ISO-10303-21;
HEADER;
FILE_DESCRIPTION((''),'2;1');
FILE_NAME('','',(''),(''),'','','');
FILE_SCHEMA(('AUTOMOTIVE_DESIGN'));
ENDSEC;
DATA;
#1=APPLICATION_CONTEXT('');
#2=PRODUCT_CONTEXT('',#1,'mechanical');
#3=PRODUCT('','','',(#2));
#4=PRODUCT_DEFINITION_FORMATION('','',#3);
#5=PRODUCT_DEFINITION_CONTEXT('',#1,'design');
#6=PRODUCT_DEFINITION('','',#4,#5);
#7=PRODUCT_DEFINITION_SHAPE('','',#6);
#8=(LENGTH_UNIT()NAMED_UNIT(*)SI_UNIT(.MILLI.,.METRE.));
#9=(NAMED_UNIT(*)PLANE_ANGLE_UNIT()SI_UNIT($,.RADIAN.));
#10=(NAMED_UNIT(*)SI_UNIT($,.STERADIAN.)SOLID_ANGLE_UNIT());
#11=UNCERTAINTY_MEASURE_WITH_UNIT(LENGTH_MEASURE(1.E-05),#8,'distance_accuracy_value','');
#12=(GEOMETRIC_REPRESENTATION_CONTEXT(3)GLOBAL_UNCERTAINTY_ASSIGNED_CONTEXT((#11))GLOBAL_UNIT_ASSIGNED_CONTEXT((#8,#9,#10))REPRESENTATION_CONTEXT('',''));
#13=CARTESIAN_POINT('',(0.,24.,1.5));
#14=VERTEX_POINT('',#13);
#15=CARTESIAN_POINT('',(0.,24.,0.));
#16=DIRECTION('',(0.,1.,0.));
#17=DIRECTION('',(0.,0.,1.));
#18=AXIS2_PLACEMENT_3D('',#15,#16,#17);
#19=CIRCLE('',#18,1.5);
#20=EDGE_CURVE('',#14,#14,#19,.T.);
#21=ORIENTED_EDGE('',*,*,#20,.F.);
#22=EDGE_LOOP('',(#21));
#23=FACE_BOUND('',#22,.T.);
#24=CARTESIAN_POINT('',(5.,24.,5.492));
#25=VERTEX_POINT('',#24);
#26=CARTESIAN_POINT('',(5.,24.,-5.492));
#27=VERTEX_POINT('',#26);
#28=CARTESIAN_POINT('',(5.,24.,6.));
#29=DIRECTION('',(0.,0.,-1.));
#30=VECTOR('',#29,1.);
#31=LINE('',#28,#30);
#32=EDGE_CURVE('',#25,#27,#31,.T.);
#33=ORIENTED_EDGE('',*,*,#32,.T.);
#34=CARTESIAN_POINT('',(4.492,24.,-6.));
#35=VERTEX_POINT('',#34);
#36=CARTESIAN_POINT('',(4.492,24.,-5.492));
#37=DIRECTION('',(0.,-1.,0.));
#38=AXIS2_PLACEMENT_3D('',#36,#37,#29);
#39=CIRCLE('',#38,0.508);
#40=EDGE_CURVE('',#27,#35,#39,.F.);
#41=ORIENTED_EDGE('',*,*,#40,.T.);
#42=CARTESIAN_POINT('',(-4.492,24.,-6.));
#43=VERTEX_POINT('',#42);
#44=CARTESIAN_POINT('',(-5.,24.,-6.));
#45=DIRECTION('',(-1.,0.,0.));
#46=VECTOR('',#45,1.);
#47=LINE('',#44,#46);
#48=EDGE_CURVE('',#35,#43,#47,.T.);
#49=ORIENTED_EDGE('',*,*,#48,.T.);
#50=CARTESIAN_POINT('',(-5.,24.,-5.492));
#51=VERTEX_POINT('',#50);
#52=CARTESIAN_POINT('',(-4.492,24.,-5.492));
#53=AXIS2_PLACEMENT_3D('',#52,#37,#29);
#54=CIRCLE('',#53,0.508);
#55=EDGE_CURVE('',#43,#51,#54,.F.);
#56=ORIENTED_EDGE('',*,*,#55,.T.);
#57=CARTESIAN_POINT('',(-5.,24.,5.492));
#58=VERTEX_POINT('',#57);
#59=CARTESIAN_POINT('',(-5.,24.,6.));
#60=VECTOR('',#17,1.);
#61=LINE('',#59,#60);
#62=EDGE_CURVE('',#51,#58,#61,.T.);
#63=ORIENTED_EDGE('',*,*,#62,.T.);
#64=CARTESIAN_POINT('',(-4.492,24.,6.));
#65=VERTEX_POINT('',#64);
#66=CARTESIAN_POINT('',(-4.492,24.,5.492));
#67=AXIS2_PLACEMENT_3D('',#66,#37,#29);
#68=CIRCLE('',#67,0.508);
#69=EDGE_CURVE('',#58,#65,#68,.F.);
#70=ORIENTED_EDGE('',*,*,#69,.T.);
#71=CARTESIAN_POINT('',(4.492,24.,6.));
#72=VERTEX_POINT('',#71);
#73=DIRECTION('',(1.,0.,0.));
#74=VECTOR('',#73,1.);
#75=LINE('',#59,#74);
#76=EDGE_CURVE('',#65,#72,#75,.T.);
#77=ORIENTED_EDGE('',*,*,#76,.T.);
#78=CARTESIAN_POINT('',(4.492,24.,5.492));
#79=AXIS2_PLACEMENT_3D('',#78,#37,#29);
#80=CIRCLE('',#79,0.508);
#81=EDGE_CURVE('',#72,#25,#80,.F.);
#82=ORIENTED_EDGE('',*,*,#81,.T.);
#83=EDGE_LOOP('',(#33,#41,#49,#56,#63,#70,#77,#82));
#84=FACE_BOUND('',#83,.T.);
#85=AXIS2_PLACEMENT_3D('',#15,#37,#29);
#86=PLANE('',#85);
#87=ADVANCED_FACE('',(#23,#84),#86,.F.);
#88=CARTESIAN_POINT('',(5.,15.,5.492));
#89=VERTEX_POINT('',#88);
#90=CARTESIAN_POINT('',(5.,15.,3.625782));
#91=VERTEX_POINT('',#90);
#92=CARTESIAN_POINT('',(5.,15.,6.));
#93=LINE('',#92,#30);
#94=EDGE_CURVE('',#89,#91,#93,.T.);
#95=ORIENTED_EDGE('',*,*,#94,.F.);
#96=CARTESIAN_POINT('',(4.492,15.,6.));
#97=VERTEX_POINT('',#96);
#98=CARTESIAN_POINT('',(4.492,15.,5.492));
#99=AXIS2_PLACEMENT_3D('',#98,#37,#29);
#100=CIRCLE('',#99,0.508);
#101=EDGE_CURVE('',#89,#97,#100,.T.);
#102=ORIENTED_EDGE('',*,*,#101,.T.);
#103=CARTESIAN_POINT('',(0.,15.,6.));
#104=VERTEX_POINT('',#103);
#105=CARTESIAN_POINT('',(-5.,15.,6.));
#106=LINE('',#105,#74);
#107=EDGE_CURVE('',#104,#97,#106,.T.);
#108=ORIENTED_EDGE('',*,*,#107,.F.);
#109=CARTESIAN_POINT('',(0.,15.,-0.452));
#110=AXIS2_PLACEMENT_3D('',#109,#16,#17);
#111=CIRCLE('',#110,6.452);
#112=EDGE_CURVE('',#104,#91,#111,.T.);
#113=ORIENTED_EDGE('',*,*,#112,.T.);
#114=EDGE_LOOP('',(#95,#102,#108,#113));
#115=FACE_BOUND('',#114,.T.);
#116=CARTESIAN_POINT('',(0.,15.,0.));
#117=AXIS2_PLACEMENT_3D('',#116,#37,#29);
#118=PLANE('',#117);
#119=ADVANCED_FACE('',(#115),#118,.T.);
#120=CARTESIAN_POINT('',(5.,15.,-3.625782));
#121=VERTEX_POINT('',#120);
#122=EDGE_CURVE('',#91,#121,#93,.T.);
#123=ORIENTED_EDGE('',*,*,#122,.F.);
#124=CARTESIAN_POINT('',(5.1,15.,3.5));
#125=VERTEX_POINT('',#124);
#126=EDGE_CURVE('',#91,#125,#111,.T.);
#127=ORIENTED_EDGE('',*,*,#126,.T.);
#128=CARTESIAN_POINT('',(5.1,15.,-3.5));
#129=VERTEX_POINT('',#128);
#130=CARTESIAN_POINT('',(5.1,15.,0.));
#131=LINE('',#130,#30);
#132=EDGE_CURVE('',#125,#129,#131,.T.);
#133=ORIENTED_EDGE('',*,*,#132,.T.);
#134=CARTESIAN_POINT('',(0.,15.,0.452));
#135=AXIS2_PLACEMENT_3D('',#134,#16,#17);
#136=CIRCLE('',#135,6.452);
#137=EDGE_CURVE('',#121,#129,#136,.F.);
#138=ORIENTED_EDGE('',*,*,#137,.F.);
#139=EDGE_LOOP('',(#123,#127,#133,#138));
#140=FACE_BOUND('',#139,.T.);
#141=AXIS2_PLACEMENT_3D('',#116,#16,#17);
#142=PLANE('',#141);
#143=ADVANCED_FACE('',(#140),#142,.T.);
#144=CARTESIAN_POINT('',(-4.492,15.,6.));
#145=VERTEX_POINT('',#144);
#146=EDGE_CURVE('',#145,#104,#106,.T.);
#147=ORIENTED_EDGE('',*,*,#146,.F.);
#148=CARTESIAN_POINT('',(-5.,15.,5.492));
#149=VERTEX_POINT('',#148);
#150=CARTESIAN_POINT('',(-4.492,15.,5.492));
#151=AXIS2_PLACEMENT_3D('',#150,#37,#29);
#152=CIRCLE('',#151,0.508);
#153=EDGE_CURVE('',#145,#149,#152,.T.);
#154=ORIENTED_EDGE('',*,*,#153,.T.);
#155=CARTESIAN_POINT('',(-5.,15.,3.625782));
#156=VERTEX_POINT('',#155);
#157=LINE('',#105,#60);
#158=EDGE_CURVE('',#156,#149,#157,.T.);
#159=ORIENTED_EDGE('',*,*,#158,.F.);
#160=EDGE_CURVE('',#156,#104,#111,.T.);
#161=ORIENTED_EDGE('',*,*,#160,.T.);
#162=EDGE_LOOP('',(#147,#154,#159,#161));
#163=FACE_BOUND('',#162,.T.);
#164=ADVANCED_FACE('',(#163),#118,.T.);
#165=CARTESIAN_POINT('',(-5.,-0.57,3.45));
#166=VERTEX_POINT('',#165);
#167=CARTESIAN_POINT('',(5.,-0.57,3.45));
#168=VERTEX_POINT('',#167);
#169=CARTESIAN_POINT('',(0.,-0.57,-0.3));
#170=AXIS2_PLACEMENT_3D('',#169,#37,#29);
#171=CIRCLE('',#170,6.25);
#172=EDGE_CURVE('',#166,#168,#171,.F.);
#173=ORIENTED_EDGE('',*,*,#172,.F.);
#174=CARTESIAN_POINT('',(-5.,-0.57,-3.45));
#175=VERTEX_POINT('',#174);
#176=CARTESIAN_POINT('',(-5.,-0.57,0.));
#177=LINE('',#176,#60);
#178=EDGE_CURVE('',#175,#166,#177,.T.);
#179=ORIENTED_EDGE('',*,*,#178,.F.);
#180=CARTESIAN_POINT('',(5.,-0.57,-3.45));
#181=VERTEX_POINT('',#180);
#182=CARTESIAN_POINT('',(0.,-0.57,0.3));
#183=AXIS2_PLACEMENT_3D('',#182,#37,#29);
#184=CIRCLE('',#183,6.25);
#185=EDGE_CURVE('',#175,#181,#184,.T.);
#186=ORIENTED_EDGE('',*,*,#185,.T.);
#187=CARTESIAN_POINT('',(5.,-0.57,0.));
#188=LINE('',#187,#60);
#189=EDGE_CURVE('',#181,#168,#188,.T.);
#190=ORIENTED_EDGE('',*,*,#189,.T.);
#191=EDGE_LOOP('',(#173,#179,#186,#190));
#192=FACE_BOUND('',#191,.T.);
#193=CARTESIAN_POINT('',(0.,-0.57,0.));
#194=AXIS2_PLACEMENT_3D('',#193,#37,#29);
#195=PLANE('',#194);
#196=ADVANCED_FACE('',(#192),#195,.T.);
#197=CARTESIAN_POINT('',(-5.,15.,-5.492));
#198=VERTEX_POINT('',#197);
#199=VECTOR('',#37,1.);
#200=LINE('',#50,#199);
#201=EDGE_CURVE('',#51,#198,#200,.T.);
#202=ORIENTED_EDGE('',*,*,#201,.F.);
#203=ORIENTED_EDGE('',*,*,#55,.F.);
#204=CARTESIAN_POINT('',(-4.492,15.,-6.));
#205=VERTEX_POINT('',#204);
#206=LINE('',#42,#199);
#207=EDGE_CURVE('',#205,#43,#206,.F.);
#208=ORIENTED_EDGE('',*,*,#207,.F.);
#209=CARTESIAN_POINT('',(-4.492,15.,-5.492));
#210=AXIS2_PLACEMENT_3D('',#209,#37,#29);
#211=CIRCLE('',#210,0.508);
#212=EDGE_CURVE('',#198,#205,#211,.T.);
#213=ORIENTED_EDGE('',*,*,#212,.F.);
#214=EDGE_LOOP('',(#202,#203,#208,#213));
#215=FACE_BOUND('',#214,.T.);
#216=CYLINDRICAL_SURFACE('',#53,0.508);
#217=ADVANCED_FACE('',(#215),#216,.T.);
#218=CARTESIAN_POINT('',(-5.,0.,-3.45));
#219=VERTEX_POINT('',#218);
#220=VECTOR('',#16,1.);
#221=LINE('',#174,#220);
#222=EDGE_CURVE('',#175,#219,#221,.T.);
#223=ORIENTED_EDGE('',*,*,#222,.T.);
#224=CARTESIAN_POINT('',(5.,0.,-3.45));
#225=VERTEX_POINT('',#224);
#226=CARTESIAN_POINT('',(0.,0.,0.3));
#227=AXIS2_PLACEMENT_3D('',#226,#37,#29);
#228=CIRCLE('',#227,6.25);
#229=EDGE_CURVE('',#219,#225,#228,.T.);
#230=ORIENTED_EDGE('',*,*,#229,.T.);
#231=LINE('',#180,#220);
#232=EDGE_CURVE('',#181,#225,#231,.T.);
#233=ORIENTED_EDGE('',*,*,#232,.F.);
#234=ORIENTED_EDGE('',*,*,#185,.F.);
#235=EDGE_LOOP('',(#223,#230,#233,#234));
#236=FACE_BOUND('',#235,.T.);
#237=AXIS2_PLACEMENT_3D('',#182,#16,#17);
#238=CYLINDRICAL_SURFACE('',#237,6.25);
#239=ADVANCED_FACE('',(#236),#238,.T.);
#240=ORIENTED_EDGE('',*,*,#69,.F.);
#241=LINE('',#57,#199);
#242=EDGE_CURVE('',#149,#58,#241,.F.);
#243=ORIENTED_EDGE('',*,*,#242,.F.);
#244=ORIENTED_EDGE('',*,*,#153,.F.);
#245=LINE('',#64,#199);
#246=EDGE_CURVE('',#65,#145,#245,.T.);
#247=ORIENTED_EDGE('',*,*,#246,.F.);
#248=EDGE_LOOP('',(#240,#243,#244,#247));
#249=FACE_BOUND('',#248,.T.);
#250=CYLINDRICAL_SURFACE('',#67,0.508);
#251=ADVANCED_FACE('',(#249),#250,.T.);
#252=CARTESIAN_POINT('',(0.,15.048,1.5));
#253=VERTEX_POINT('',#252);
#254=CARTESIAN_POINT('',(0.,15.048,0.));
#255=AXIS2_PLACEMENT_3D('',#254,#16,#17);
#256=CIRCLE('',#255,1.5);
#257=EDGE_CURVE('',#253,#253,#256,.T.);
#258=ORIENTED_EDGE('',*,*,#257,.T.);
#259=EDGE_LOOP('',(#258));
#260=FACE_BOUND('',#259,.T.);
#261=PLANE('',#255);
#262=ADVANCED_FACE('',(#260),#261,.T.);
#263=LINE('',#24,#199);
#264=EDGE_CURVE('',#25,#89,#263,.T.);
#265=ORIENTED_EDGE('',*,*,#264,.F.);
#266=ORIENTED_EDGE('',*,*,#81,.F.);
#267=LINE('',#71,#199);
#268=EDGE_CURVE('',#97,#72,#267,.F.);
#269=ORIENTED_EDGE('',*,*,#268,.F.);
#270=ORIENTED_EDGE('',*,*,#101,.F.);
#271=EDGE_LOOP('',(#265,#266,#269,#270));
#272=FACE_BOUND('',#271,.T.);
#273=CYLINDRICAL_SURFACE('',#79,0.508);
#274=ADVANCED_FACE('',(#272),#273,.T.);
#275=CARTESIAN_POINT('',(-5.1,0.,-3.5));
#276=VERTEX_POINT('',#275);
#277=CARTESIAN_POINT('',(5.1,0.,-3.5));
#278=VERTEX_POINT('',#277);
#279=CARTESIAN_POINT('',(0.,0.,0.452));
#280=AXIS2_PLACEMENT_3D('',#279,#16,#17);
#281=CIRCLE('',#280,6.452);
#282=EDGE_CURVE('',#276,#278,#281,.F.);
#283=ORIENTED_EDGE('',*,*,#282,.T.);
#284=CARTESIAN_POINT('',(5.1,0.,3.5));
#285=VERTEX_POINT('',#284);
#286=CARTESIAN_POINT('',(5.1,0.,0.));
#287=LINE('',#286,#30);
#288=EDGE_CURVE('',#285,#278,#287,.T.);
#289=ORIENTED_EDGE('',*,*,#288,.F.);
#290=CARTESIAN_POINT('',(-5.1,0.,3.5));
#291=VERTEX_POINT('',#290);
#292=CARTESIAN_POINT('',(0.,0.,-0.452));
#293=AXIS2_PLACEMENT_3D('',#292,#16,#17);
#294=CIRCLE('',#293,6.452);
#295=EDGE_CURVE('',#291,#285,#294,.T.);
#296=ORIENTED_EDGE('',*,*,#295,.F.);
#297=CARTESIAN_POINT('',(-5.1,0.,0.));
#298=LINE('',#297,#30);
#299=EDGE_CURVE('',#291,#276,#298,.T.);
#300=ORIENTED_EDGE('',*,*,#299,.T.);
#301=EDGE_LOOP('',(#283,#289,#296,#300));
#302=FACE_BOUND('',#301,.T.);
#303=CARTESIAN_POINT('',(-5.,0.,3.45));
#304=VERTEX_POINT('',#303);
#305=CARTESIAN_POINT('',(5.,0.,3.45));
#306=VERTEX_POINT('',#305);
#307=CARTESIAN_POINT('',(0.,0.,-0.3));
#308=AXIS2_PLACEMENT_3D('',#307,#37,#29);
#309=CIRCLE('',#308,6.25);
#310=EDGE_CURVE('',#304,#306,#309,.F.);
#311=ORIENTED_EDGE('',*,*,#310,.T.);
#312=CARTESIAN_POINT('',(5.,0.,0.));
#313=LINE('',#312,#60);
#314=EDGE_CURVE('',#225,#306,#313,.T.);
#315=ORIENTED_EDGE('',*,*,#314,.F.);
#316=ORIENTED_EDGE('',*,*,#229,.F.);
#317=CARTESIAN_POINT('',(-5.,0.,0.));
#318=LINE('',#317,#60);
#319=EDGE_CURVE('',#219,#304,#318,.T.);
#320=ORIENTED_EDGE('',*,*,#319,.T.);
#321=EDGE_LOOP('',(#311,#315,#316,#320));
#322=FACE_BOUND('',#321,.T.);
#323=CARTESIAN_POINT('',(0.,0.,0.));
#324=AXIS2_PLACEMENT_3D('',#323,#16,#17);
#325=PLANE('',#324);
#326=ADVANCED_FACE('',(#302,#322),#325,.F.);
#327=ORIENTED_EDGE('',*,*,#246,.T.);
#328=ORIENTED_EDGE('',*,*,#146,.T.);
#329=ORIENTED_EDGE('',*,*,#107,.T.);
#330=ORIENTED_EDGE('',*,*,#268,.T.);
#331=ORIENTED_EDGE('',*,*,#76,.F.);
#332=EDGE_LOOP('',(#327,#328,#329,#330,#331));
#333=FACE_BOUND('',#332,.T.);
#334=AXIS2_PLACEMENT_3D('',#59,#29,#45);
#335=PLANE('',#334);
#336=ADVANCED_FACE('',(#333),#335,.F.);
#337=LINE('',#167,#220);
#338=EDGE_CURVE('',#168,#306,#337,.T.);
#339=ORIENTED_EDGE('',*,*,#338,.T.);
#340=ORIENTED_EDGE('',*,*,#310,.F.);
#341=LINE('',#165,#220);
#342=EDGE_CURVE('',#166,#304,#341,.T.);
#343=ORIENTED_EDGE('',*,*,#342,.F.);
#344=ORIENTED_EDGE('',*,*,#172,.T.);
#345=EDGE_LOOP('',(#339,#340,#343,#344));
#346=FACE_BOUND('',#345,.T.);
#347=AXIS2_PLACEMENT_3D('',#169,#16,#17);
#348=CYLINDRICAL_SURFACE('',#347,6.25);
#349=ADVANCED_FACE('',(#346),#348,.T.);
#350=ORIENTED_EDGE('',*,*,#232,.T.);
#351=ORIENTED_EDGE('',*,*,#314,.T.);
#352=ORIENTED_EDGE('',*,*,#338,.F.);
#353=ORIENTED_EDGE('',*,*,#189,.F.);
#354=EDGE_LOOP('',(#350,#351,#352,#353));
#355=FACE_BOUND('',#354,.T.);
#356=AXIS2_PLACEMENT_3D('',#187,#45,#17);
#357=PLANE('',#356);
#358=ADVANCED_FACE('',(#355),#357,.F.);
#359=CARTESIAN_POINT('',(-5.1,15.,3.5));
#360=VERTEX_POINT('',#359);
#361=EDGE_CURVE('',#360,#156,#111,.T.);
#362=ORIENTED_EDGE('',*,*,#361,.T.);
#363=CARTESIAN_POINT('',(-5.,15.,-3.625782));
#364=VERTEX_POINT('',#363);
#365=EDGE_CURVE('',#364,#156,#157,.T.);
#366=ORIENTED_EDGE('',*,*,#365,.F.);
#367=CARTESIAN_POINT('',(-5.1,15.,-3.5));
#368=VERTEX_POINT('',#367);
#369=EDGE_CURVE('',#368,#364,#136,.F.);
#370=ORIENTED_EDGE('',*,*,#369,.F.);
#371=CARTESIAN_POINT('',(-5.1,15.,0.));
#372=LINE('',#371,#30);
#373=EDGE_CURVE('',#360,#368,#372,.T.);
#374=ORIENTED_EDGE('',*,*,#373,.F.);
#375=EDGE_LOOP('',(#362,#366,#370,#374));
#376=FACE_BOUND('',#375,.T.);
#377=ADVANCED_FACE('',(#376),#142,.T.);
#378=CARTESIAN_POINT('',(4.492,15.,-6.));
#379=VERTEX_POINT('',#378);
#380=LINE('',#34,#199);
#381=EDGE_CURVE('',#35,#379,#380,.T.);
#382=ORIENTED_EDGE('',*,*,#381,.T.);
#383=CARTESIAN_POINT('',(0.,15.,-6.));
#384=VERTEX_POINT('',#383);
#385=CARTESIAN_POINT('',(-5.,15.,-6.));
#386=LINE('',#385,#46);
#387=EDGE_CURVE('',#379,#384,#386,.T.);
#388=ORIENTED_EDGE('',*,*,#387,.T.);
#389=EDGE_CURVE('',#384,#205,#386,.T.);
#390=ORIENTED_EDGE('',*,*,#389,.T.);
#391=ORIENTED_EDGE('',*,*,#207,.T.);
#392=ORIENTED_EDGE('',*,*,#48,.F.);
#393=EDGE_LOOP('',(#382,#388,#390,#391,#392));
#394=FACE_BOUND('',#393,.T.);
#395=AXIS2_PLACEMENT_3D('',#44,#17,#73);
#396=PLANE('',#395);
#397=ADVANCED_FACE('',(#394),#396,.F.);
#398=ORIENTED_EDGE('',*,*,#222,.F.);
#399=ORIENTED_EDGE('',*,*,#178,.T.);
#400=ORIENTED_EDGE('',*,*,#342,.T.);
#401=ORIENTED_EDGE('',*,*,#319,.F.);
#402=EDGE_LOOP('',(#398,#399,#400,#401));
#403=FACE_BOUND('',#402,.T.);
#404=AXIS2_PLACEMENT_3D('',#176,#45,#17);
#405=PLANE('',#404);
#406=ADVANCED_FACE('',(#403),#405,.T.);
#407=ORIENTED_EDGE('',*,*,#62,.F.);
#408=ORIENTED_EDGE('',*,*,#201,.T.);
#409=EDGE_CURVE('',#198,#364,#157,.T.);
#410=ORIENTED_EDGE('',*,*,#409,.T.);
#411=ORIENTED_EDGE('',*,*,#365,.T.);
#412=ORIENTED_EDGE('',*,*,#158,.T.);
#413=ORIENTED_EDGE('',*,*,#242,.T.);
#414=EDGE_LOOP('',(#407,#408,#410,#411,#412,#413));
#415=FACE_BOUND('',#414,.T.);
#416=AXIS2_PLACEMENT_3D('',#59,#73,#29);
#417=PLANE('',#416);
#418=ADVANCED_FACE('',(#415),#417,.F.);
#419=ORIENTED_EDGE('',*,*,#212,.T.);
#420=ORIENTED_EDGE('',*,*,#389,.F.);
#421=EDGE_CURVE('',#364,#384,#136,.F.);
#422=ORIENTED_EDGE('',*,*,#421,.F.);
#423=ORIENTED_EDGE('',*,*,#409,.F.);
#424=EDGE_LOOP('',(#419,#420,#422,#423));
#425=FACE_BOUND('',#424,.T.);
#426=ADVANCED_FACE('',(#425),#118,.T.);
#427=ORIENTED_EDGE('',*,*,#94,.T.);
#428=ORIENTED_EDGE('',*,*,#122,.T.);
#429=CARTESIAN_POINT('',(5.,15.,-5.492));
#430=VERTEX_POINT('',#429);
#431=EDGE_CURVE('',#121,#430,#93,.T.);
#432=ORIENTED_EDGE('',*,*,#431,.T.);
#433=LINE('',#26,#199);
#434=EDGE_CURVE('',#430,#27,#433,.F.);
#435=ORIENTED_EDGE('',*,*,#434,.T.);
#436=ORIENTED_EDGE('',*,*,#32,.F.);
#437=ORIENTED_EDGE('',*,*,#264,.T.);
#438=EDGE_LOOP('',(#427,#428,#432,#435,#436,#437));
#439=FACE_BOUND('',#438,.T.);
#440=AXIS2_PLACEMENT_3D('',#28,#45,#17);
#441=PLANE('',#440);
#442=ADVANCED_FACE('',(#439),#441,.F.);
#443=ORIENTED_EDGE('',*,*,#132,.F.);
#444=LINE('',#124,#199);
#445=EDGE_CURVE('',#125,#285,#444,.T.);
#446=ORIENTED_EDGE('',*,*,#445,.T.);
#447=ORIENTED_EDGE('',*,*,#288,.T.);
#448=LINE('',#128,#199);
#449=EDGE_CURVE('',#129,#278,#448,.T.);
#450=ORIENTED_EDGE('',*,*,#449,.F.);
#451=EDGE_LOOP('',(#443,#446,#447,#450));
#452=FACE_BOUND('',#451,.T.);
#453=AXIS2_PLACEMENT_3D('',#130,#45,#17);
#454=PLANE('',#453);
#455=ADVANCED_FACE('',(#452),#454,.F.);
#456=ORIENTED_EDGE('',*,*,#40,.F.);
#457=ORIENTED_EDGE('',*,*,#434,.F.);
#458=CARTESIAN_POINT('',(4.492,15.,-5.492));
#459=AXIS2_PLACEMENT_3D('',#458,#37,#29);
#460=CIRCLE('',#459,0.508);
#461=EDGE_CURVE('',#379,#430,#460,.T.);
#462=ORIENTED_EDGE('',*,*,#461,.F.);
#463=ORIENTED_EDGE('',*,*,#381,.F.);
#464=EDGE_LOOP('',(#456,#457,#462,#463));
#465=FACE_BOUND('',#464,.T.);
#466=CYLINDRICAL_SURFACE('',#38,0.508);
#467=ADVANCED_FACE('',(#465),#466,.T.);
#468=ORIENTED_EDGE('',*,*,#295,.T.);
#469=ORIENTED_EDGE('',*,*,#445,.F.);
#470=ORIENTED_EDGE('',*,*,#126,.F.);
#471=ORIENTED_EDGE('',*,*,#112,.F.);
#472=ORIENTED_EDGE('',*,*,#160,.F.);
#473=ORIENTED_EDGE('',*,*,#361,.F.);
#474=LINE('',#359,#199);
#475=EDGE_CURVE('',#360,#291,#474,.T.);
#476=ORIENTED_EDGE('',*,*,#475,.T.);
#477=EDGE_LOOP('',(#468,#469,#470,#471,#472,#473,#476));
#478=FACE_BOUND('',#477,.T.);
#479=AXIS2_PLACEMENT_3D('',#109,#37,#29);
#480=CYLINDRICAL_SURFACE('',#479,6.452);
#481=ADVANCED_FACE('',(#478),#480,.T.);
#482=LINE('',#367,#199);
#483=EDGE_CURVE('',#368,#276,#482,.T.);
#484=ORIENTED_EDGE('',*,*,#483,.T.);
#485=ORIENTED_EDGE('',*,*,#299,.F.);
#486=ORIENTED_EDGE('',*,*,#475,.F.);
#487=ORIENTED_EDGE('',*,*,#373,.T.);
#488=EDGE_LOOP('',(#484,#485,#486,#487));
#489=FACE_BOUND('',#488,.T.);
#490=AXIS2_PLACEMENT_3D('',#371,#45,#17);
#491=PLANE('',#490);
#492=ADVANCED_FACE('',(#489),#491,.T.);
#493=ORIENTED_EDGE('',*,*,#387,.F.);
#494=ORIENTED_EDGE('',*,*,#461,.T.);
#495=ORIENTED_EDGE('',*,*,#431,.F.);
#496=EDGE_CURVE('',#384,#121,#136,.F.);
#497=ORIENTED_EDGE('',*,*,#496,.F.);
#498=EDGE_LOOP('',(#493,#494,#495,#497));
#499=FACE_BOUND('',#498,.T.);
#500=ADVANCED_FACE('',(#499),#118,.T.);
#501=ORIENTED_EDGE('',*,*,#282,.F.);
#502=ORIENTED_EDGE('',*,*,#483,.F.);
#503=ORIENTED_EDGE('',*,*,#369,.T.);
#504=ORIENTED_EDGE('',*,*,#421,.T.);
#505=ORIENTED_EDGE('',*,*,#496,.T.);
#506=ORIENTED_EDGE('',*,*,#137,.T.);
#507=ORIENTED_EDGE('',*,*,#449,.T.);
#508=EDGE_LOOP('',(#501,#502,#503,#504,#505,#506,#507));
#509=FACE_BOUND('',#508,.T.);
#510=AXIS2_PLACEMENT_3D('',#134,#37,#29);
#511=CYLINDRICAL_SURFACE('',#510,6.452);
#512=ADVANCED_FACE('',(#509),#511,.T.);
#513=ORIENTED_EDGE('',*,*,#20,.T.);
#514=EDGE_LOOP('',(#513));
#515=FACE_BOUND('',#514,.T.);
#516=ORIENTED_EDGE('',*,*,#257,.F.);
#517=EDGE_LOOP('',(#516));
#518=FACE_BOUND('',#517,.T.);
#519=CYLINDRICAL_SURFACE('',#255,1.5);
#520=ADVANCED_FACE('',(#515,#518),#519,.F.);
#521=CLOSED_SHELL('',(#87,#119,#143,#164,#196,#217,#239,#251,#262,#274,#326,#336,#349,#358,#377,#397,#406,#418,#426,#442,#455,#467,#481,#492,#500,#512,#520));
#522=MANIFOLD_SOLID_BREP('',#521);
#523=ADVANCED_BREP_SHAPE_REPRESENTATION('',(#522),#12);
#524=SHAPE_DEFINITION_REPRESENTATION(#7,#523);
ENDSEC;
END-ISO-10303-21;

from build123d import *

# Parameters (mm, degrees)
SKETCH1_W           = 10.2
SKETCH1_H           = 7
BOSS_EXTRUDE1_DEPTH = 15
SKETCH2_W           = 10
SKETCH2_H           = 12
BOSS_EXTRUDE2_DEPTH = 9
FILLET1_R           = 0.508
SKETCH3_W           = 10
SKETCH3_H           = 6.9
BOSS_EXTRUDE3_DEPTH = 0.57
SKETCH4_R           = 1.5
CUT_EXTRUDE1_DEPTH  = 8.952


with BuildPart() as part:
    # Sketch1 → Boss-Extrude1 (new body)
    with BuildSketch(Plane(origin=(0, 0, 0), x_dir=(1, 0, 0), z_dir=(0, 1, 0))):
        with BuildLine():
            Line((-5.1, -3.5), (5.1, -3.5))
            ThreePointArc((5.1, -3.5), (0, -6), (-5.1, -3.5))
        make_face()
        Rectangle(SKETCH1_W, SKETCH1_H)
        with BuildLine():
            ThreePointArc((-5.1, 3.5), (0, 6), (5.1, 3.5))
            Line((5.1, 3.5), (-5.1, 3.5))
        make_face()
    extrude(amount=BOSS_EXTRUDE1_DEPTH)

    # Sketch2 → Boss-Extrude2 (add)
    with BuildSketch(Plane(origin=(0, 15, 0), x_dir=(1, 0, 0), z_dir=(0, 1, 0))):
        Rectangle(SKETCH2_W, SKETCH2_H)
    extrude(amount=BOSS_EXTRUDE2_DEPTH)

    # Fillet1
    fillet1_edges = [part.edges().sort_by_distance(p)[0] for p in [
        (5, 19.5, 6),
        (5, 19.5, -6),
        (-5, 19.5, -6),
        (-5, 19.5, 6),
    ]]
    fillet(fillet1_edges, radius=FILLET1_R)

    # Sketch3 → Boss-Extrude3 (add)
    with BuildSketch(Plane.XZ):
        Rectangle(SKETCH3_W, SKETCH3_H)
        with BuildLine():
            Line((5, -3.45), (-5, -3.45))
            ThreePointArc((-5, -3.45), (0, -5.95), (5, -3.45))
        make_face()
        with BuildLine():
            ThreePointArc((5, 3.45), (0, 5.95), (-5, 3.45))
            Line((-5, 3.45), (5, 3.45))
        make_face()
    extrude(amount=BOSS_EXTRUDE3_DEPTH)

    # Sketch4 → Cut-Extrude1 (cut)
    with BuildSketch(Plane(origin=(0, 24, 0), x_dir=(1, 0, 0), z_dir=(0, 1, 0))):
        with Locations(Location((0, 0, 0), (0, 0, 270))):
            Circle(SKETCH4_R)
    extrude(amount=-CUT_EXTRUDE1_DEPTH, mode=Mode.SUBTRACT)


solid = part.part
